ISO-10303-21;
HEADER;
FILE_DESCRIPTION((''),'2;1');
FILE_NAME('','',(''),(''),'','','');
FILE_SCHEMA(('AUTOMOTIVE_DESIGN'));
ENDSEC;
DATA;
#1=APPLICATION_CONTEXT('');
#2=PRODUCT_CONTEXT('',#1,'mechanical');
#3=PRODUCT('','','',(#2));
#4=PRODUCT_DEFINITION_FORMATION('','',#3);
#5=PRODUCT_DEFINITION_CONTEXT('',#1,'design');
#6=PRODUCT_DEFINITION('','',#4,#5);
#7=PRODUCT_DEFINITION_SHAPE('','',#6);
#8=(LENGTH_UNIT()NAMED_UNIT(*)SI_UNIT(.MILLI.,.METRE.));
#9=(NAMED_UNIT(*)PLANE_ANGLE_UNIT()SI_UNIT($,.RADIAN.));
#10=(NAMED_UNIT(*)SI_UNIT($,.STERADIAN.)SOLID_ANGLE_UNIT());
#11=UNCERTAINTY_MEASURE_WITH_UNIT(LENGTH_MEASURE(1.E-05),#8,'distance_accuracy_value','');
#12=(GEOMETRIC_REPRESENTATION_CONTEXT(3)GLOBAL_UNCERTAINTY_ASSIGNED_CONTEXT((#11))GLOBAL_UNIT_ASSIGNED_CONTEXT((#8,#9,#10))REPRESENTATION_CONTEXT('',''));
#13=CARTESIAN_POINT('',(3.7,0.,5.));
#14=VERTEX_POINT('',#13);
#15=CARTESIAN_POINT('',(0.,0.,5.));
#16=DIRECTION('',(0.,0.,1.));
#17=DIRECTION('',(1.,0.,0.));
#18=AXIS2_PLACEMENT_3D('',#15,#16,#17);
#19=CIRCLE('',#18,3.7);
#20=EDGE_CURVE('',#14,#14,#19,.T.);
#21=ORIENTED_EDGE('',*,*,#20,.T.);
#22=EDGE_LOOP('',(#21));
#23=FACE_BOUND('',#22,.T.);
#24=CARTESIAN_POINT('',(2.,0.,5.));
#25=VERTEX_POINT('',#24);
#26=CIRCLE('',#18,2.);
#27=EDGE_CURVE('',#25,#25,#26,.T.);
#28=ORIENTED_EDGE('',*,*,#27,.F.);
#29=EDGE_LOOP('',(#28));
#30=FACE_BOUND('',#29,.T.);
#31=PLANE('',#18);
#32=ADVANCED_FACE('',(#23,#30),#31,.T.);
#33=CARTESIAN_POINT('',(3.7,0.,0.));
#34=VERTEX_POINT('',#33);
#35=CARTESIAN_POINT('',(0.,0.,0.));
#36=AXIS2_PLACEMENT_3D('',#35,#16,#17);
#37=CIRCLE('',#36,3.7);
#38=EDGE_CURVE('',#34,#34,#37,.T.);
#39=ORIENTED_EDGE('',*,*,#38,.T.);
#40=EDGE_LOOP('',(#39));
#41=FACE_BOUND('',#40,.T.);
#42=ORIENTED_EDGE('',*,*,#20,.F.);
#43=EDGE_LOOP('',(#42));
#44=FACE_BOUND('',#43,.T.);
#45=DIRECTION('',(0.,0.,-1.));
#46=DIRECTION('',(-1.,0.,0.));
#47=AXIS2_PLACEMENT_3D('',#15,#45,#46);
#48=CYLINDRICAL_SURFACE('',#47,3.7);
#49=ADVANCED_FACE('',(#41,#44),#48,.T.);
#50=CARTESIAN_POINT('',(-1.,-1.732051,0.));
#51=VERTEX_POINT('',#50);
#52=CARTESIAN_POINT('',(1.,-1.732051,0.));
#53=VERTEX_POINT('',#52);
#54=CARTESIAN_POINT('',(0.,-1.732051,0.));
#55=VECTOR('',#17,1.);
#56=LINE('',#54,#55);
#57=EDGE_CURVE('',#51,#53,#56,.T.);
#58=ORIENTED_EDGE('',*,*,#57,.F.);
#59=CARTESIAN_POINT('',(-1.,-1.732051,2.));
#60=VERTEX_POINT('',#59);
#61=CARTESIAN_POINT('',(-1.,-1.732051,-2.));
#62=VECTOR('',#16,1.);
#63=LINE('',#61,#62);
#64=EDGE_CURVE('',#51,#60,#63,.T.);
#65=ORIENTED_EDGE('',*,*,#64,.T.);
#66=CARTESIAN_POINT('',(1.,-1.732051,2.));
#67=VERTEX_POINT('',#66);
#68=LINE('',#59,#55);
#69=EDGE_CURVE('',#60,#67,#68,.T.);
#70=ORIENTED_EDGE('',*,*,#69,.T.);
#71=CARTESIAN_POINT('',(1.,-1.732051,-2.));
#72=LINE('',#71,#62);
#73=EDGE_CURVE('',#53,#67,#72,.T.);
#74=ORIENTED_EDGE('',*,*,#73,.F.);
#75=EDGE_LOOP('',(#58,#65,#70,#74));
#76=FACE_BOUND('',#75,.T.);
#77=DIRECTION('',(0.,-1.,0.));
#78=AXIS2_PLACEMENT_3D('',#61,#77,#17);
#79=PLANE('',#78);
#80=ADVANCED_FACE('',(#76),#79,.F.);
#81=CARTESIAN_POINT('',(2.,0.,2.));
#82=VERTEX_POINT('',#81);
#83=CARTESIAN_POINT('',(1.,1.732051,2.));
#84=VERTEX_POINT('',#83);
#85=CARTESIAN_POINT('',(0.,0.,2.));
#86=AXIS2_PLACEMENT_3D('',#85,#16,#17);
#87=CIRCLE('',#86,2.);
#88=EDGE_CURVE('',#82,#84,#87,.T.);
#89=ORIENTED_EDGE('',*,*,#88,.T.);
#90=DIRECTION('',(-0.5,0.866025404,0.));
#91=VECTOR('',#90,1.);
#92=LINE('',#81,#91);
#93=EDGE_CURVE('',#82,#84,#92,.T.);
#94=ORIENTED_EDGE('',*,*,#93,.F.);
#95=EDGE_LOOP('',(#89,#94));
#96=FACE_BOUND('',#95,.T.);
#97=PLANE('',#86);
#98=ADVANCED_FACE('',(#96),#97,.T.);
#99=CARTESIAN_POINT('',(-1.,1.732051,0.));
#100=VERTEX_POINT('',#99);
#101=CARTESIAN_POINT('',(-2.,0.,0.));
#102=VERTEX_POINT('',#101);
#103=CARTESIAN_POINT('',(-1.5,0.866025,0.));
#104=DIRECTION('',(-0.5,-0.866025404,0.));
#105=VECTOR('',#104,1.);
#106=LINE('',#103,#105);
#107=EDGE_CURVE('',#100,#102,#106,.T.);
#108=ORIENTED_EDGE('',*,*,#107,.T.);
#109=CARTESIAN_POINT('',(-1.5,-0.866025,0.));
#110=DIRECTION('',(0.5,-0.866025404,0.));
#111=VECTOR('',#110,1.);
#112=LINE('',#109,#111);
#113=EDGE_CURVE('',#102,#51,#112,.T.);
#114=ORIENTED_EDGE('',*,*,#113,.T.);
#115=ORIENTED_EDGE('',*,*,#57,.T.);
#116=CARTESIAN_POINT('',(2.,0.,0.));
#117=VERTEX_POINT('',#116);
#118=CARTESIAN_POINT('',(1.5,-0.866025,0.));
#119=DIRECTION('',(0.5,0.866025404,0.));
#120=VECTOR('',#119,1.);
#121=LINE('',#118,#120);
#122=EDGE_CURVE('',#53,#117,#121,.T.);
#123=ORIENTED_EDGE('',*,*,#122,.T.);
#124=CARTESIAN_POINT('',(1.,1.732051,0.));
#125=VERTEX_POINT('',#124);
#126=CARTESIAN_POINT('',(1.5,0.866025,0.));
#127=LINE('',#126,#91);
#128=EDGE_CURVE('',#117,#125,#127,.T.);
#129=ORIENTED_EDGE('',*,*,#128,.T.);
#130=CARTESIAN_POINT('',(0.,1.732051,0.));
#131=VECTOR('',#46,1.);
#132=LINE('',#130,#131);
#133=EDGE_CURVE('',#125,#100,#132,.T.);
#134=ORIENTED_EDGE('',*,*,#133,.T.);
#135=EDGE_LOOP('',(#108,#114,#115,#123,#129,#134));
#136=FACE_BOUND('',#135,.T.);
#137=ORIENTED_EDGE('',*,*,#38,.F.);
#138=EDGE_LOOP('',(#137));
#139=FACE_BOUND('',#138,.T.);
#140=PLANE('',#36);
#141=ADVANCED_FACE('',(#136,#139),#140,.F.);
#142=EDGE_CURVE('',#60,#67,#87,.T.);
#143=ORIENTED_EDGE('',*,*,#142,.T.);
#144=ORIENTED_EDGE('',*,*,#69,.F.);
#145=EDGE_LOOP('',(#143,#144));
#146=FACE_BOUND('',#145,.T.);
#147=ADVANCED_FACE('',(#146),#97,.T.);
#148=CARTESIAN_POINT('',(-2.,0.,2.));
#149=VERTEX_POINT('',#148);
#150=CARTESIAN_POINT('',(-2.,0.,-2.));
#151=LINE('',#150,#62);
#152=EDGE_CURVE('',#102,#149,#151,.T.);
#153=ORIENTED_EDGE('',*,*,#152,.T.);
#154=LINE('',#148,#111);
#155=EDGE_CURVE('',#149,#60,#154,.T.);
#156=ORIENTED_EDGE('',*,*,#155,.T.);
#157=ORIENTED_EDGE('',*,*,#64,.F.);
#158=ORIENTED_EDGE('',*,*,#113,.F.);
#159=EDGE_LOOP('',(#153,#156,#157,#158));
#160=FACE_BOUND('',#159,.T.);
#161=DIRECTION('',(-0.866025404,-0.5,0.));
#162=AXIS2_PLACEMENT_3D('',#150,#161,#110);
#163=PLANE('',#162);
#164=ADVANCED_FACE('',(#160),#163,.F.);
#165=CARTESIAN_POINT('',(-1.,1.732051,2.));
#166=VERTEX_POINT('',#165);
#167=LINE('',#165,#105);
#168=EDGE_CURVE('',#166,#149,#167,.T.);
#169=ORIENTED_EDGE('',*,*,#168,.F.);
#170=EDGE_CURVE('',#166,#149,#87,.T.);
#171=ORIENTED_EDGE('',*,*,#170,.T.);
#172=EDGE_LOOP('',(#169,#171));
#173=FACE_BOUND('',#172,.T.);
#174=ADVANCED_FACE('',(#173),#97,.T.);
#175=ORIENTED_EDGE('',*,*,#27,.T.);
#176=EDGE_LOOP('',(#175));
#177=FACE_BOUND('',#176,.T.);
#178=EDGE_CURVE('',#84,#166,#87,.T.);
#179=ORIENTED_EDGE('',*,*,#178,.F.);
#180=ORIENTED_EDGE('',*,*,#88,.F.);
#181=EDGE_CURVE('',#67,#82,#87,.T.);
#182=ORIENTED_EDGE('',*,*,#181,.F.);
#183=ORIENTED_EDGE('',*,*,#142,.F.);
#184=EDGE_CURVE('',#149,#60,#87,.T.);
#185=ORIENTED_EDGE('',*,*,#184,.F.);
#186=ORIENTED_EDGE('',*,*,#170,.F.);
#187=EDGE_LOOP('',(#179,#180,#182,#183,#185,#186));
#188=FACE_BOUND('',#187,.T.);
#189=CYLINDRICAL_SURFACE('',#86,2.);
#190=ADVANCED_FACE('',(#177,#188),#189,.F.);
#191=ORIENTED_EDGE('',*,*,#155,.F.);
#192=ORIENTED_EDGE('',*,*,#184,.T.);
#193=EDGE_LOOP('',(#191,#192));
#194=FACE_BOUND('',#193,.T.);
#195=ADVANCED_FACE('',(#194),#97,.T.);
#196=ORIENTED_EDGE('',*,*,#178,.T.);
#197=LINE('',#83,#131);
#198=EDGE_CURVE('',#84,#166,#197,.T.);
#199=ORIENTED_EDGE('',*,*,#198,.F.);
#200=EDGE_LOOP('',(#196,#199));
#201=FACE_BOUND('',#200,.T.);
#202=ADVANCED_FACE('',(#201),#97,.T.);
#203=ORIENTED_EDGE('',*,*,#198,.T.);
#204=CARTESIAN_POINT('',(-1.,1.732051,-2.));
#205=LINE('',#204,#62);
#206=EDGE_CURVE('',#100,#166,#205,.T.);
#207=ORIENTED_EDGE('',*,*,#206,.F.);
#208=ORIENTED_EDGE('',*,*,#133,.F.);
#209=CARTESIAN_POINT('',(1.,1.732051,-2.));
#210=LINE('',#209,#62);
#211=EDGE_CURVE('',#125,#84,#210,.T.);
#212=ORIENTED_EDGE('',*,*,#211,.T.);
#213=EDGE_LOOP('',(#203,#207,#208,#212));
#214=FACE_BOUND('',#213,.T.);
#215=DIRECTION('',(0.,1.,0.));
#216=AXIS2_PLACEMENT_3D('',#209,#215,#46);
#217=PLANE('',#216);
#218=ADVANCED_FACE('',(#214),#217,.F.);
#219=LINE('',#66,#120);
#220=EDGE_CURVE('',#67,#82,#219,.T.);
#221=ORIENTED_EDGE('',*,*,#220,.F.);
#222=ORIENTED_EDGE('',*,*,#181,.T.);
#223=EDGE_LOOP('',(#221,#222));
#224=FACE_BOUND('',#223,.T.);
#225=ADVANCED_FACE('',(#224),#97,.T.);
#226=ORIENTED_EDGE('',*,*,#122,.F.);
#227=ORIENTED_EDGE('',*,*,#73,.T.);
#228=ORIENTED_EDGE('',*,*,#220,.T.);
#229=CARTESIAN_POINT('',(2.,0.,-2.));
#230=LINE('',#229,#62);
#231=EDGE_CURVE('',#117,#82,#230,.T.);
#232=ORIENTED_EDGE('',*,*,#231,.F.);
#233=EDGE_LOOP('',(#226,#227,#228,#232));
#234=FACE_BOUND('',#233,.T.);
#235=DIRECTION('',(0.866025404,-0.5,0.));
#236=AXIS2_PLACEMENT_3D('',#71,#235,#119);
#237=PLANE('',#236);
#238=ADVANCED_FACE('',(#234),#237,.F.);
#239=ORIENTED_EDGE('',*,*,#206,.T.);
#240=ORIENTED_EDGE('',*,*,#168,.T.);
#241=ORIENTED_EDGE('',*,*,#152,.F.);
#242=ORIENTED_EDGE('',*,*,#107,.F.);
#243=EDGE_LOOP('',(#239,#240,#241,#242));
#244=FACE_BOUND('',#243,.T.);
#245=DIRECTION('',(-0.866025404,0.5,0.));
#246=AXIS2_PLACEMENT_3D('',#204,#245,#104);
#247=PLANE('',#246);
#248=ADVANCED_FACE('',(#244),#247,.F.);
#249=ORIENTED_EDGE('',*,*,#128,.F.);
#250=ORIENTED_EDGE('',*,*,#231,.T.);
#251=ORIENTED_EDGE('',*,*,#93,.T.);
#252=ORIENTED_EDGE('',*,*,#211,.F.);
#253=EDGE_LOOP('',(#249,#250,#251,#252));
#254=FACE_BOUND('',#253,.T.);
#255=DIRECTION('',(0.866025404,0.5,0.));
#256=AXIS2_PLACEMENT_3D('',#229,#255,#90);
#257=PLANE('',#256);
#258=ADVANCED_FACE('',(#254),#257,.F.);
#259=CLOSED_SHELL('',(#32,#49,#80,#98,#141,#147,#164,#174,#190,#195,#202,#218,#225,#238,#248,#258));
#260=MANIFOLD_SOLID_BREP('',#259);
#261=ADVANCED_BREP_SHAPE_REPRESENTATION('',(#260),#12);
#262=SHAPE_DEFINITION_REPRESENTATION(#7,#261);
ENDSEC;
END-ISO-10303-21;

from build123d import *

# Parameters (mm, degrees)
SKETCH_1_R          = 3.7
EXTRUDE_1_DEPTH     = 5
SKETCH_2_R          = 2
CUT_EXTRUDE_1_DEPTH = 3
CUT_EXTRUDE_2_DEPTH = 4


with BuildPart() as part:
    # 草图1 → 凸台-拉伸1 (new body)
    with BuildSketch(Plane.XY):
        Circle(SKETCH_1_R)
    extrude(amount=EXTRUDE_1_DEPTH)

    # 草图2 → 切除-拉伸1 (cut)
    with BuildSketch(Plane.XY.offset(5)):
        Circle(SKETCH_2_R)
    extrude(amount=-CUT_EXTRUDE_1_DEPTH, mode=Mode.SUBTRACT)

    # 草图3 → 切除-拉伸2 (cut)
    with BuildSketch(Plane.XY.offset(2)):
        Polygon((1, -1.732050808), (2, 0), (1, 1.732050808), (-1, 1.732050808), (-2, 0), (-1, -1.732050808), align=None)
    extrude(amount=-CUT_EXTRUDE_2_DEPTH, mode=Mode.SUBTRACT)


solid = part.part
